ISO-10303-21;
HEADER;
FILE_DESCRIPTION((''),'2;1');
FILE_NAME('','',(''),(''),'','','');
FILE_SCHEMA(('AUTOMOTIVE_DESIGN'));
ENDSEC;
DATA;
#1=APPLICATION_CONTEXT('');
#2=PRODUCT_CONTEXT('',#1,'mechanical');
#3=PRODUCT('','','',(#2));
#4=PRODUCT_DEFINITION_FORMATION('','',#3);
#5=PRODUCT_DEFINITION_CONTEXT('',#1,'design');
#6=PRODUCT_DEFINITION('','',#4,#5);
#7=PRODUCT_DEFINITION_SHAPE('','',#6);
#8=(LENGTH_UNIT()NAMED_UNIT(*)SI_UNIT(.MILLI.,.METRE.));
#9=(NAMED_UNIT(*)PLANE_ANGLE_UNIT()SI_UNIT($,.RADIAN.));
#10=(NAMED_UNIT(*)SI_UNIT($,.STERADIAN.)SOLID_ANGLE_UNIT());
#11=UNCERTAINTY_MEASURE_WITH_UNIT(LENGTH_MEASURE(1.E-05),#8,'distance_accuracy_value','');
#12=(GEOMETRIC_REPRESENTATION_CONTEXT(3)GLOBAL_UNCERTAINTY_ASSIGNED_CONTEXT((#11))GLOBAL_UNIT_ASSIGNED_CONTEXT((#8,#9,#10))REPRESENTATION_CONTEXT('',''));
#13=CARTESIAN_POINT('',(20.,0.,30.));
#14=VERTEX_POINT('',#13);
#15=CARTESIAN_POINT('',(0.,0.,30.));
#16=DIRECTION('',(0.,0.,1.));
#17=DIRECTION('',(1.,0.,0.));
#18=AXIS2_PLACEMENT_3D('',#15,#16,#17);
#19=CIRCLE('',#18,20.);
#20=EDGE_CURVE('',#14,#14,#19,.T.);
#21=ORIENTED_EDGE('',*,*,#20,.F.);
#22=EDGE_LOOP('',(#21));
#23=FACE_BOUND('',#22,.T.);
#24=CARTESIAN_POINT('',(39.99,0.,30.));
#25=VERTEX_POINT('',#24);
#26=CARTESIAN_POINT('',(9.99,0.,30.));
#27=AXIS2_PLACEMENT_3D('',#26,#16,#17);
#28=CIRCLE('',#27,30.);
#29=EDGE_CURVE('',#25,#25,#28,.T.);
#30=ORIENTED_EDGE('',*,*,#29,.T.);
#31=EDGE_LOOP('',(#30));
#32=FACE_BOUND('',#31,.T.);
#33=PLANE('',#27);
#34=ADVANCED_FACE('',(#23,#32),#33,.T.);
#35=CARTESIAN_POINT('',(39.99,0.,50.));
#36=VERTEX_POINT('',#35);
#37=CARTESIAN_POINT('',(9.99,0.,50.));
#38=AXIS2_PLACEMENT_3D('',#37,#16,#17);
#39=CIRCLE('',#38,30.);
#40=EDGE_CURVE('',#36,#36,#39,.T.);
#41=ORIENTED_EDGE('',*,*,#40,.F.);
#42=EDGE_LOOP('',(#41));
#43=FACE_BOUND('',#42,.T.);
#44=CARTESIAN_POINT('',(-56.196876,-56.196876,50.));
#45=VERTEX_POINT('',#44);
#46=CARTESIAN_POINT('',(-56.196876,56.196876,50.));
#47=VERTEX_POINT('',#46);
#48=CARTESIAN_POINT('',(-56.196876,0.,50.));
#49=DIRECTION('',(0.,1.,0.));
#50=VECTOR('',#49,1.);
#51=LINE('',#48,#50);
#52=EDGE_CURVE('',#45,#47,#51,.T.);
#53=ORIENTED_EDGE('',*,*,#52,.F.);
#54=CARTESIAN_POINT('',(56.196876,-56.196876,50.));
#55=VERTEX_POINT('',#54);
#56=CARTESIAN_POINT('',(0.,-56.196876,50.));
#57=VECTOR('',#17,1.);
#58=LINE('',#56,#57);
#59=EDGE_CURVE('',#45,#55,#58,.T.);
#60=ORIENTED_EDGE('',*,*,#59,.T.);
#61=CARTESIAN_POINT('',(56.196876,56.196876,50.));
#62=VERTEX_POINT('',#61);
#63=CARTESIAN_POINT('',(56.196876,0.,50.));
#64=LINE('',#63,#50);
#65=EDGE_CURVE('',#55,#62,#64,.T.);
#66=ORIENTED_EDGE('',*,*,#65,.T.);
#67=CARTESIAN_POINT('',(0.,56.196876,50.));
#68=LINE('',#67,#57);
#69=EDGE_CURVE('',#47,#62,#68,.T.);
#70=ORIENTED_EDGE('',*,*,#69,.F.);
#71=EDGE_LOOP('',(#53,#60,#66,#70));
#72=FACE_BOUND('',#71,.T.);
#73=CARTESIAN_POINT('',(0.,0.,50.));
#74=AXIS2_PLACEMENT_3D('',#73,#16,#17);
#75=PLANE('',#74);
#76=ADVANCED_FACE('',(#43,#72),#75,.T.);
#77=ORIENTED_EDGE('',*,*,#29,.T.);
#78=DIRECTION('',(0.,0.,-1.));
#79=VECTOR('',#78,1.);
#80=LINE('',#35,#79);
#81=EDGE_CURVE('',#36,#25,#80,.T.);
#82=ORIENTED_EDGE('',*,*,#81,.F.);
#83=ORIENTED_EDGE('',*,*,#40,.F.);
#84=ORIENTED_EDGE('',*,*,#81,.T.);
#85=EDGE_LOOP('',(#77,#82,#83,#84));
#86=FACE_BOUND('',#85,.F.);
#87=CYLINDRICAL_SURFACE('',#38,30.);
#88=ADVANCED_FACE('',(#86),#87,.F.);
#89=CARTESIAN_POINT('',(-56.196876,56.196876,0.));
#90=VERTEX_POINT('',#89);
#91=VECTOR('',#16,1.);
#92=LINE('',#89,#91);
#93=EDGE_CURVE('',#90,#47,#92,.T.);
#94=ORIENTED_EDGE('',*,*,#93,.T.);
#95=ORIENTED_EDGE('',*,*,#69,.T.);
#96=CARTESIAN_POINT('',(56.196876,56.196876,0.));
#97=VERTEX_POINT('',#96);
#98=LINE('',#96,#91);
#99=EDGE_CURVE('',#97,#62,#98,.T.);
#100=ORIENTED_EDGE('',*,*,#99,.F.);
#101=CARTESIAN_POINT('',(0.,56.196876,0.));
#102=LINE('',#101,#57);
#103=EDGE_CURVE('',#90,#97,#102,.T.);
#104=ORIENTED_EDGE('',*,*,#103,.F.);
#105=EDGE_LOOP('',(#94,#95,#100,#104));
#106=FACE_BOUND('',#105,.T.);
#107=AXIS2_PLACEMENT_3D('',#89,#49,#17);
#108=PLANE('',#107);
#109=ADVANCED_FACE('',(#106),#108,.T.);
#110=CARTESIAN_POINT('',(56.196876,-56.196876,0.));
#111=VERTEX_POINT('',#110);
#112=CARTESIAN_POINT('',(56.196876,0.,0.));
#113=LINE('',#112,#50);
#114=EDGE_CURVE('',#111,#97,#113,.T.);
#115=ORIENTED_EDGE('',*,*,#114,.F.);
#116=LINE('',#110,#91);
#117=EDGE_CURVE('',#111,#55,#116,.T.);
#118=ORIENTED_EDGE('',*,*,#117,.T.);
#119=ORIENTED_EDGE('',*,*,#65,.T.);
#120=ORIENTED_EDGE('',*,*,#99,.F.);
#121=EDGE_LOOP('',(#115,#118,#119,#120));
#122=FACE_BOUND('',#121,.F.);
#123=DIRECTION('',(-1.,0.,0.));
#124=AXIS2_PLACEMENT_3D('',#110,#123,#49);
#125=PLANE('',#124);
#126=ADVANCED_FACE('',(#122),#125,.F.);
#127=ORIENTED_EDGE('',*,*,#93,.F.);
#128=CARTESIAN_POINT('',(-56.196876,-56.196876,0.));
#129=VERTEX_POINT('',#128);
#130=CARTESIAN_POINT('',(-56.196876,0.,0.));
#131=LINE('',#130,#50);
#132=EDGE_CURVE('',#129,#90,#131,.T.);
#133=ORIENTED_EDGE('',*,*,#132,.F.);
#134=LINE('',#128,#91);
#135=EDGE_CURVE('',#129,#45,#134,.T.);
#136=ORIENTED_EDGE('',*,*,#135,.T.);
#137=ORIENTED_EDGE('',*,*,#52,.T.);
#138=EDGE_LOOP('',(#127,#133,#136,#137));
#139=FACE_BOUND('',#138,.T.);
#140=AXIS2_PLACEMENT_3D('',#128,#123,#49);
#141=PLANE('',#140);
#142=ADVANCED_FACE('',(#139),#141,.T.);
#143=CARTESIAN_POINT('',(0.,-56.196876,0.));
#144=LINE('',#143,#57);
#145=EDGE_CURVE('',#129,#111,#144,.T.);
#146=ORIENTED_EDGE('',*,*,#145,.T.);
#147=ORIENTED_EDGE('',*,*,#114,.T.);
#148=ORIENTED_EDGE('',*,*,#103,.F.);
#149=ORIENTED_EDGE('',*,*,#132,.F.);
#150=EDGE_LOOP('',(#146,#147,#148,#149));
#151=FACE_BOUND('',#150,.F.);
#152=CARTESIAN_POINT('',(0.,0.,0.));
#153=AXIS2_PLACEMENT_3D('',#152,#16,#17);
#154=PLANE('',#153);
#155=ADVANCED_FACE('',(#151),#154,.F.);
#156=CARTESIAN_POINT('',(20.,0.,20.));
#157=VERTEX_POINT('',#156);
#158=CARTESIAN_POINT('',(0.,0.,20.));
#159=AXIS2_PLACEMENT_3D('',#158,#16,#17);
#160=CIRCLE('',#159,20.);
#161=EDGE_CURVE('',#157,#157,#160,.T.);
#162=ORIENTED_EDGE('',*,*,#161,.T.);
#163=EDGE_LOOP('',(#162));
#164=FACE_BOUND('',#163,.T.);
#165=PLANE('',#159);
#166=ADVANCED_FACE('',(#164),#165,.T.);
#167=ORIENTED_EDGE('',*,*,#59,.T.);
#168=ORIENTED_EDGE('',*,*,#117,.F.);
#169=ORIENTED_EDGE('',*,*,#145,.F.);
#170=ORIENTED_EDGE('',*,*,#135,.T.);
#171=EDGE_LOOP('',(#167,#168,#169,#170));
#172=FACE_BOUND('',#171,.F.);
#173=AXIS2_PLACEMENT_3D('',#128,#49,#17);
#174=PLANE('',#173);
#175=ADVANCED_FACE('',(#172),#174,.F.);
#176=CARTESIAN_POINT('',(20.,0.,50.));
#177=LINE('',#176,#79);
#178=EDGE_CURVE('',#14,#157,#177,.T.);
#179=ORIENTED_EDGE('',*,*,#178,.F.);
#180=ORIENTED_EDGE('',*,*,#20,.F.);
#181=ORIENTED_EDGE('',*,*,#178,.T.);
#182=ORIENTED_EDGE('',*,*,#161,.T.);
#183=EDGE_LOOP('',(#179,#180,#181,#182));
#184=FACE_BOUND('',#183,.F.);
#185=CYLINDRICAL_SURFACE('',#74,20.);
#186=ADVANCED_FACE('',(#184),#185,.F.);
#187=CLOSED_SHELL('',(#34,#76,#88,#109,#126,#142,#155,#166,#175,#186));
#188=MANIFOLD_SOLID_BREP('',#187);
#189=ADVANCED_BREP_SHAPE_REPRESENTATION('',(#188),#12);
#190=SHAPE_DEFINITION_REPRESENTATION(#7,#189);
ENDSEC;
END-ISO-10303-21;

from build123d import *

# Parameters (mm, degrees)
F0_W     = 112.393752
F0_H     = 112.393752
F1_DEPTH = 50
F2_R     = 20
F3_DEPTH = 30
F2_R_2   = 30
F4_DEPTH = 20


with BuildPart() as f1:
    # F0 (on Top) → F1 (new body)
    with BuildSketch(Plane.XY):
        Rectangle(F0_W, F0_H)
    extrude(amount=F1_DEPTH)

    # F2 (on face) → F3 (cut)
    with BuildSketch(Plane.XY.offset(50)):
        Circle(F2_R)
    extrude(amount=-F3_DEPTH, mode=Mode.SUBTRACT)

    # F2 (on face) → F4 (cut)
    with BuildSketch(Plane.XY.offset(50)):
        with Locations((9.99, 0)):
            Circle(F2_R_2)
        Circle(F2_R, mode=Mode.SUBTRACT)
    extrude(amount=-F4_DEPTH, mode=Mode.SUBTRACT)


solid = f1.part
